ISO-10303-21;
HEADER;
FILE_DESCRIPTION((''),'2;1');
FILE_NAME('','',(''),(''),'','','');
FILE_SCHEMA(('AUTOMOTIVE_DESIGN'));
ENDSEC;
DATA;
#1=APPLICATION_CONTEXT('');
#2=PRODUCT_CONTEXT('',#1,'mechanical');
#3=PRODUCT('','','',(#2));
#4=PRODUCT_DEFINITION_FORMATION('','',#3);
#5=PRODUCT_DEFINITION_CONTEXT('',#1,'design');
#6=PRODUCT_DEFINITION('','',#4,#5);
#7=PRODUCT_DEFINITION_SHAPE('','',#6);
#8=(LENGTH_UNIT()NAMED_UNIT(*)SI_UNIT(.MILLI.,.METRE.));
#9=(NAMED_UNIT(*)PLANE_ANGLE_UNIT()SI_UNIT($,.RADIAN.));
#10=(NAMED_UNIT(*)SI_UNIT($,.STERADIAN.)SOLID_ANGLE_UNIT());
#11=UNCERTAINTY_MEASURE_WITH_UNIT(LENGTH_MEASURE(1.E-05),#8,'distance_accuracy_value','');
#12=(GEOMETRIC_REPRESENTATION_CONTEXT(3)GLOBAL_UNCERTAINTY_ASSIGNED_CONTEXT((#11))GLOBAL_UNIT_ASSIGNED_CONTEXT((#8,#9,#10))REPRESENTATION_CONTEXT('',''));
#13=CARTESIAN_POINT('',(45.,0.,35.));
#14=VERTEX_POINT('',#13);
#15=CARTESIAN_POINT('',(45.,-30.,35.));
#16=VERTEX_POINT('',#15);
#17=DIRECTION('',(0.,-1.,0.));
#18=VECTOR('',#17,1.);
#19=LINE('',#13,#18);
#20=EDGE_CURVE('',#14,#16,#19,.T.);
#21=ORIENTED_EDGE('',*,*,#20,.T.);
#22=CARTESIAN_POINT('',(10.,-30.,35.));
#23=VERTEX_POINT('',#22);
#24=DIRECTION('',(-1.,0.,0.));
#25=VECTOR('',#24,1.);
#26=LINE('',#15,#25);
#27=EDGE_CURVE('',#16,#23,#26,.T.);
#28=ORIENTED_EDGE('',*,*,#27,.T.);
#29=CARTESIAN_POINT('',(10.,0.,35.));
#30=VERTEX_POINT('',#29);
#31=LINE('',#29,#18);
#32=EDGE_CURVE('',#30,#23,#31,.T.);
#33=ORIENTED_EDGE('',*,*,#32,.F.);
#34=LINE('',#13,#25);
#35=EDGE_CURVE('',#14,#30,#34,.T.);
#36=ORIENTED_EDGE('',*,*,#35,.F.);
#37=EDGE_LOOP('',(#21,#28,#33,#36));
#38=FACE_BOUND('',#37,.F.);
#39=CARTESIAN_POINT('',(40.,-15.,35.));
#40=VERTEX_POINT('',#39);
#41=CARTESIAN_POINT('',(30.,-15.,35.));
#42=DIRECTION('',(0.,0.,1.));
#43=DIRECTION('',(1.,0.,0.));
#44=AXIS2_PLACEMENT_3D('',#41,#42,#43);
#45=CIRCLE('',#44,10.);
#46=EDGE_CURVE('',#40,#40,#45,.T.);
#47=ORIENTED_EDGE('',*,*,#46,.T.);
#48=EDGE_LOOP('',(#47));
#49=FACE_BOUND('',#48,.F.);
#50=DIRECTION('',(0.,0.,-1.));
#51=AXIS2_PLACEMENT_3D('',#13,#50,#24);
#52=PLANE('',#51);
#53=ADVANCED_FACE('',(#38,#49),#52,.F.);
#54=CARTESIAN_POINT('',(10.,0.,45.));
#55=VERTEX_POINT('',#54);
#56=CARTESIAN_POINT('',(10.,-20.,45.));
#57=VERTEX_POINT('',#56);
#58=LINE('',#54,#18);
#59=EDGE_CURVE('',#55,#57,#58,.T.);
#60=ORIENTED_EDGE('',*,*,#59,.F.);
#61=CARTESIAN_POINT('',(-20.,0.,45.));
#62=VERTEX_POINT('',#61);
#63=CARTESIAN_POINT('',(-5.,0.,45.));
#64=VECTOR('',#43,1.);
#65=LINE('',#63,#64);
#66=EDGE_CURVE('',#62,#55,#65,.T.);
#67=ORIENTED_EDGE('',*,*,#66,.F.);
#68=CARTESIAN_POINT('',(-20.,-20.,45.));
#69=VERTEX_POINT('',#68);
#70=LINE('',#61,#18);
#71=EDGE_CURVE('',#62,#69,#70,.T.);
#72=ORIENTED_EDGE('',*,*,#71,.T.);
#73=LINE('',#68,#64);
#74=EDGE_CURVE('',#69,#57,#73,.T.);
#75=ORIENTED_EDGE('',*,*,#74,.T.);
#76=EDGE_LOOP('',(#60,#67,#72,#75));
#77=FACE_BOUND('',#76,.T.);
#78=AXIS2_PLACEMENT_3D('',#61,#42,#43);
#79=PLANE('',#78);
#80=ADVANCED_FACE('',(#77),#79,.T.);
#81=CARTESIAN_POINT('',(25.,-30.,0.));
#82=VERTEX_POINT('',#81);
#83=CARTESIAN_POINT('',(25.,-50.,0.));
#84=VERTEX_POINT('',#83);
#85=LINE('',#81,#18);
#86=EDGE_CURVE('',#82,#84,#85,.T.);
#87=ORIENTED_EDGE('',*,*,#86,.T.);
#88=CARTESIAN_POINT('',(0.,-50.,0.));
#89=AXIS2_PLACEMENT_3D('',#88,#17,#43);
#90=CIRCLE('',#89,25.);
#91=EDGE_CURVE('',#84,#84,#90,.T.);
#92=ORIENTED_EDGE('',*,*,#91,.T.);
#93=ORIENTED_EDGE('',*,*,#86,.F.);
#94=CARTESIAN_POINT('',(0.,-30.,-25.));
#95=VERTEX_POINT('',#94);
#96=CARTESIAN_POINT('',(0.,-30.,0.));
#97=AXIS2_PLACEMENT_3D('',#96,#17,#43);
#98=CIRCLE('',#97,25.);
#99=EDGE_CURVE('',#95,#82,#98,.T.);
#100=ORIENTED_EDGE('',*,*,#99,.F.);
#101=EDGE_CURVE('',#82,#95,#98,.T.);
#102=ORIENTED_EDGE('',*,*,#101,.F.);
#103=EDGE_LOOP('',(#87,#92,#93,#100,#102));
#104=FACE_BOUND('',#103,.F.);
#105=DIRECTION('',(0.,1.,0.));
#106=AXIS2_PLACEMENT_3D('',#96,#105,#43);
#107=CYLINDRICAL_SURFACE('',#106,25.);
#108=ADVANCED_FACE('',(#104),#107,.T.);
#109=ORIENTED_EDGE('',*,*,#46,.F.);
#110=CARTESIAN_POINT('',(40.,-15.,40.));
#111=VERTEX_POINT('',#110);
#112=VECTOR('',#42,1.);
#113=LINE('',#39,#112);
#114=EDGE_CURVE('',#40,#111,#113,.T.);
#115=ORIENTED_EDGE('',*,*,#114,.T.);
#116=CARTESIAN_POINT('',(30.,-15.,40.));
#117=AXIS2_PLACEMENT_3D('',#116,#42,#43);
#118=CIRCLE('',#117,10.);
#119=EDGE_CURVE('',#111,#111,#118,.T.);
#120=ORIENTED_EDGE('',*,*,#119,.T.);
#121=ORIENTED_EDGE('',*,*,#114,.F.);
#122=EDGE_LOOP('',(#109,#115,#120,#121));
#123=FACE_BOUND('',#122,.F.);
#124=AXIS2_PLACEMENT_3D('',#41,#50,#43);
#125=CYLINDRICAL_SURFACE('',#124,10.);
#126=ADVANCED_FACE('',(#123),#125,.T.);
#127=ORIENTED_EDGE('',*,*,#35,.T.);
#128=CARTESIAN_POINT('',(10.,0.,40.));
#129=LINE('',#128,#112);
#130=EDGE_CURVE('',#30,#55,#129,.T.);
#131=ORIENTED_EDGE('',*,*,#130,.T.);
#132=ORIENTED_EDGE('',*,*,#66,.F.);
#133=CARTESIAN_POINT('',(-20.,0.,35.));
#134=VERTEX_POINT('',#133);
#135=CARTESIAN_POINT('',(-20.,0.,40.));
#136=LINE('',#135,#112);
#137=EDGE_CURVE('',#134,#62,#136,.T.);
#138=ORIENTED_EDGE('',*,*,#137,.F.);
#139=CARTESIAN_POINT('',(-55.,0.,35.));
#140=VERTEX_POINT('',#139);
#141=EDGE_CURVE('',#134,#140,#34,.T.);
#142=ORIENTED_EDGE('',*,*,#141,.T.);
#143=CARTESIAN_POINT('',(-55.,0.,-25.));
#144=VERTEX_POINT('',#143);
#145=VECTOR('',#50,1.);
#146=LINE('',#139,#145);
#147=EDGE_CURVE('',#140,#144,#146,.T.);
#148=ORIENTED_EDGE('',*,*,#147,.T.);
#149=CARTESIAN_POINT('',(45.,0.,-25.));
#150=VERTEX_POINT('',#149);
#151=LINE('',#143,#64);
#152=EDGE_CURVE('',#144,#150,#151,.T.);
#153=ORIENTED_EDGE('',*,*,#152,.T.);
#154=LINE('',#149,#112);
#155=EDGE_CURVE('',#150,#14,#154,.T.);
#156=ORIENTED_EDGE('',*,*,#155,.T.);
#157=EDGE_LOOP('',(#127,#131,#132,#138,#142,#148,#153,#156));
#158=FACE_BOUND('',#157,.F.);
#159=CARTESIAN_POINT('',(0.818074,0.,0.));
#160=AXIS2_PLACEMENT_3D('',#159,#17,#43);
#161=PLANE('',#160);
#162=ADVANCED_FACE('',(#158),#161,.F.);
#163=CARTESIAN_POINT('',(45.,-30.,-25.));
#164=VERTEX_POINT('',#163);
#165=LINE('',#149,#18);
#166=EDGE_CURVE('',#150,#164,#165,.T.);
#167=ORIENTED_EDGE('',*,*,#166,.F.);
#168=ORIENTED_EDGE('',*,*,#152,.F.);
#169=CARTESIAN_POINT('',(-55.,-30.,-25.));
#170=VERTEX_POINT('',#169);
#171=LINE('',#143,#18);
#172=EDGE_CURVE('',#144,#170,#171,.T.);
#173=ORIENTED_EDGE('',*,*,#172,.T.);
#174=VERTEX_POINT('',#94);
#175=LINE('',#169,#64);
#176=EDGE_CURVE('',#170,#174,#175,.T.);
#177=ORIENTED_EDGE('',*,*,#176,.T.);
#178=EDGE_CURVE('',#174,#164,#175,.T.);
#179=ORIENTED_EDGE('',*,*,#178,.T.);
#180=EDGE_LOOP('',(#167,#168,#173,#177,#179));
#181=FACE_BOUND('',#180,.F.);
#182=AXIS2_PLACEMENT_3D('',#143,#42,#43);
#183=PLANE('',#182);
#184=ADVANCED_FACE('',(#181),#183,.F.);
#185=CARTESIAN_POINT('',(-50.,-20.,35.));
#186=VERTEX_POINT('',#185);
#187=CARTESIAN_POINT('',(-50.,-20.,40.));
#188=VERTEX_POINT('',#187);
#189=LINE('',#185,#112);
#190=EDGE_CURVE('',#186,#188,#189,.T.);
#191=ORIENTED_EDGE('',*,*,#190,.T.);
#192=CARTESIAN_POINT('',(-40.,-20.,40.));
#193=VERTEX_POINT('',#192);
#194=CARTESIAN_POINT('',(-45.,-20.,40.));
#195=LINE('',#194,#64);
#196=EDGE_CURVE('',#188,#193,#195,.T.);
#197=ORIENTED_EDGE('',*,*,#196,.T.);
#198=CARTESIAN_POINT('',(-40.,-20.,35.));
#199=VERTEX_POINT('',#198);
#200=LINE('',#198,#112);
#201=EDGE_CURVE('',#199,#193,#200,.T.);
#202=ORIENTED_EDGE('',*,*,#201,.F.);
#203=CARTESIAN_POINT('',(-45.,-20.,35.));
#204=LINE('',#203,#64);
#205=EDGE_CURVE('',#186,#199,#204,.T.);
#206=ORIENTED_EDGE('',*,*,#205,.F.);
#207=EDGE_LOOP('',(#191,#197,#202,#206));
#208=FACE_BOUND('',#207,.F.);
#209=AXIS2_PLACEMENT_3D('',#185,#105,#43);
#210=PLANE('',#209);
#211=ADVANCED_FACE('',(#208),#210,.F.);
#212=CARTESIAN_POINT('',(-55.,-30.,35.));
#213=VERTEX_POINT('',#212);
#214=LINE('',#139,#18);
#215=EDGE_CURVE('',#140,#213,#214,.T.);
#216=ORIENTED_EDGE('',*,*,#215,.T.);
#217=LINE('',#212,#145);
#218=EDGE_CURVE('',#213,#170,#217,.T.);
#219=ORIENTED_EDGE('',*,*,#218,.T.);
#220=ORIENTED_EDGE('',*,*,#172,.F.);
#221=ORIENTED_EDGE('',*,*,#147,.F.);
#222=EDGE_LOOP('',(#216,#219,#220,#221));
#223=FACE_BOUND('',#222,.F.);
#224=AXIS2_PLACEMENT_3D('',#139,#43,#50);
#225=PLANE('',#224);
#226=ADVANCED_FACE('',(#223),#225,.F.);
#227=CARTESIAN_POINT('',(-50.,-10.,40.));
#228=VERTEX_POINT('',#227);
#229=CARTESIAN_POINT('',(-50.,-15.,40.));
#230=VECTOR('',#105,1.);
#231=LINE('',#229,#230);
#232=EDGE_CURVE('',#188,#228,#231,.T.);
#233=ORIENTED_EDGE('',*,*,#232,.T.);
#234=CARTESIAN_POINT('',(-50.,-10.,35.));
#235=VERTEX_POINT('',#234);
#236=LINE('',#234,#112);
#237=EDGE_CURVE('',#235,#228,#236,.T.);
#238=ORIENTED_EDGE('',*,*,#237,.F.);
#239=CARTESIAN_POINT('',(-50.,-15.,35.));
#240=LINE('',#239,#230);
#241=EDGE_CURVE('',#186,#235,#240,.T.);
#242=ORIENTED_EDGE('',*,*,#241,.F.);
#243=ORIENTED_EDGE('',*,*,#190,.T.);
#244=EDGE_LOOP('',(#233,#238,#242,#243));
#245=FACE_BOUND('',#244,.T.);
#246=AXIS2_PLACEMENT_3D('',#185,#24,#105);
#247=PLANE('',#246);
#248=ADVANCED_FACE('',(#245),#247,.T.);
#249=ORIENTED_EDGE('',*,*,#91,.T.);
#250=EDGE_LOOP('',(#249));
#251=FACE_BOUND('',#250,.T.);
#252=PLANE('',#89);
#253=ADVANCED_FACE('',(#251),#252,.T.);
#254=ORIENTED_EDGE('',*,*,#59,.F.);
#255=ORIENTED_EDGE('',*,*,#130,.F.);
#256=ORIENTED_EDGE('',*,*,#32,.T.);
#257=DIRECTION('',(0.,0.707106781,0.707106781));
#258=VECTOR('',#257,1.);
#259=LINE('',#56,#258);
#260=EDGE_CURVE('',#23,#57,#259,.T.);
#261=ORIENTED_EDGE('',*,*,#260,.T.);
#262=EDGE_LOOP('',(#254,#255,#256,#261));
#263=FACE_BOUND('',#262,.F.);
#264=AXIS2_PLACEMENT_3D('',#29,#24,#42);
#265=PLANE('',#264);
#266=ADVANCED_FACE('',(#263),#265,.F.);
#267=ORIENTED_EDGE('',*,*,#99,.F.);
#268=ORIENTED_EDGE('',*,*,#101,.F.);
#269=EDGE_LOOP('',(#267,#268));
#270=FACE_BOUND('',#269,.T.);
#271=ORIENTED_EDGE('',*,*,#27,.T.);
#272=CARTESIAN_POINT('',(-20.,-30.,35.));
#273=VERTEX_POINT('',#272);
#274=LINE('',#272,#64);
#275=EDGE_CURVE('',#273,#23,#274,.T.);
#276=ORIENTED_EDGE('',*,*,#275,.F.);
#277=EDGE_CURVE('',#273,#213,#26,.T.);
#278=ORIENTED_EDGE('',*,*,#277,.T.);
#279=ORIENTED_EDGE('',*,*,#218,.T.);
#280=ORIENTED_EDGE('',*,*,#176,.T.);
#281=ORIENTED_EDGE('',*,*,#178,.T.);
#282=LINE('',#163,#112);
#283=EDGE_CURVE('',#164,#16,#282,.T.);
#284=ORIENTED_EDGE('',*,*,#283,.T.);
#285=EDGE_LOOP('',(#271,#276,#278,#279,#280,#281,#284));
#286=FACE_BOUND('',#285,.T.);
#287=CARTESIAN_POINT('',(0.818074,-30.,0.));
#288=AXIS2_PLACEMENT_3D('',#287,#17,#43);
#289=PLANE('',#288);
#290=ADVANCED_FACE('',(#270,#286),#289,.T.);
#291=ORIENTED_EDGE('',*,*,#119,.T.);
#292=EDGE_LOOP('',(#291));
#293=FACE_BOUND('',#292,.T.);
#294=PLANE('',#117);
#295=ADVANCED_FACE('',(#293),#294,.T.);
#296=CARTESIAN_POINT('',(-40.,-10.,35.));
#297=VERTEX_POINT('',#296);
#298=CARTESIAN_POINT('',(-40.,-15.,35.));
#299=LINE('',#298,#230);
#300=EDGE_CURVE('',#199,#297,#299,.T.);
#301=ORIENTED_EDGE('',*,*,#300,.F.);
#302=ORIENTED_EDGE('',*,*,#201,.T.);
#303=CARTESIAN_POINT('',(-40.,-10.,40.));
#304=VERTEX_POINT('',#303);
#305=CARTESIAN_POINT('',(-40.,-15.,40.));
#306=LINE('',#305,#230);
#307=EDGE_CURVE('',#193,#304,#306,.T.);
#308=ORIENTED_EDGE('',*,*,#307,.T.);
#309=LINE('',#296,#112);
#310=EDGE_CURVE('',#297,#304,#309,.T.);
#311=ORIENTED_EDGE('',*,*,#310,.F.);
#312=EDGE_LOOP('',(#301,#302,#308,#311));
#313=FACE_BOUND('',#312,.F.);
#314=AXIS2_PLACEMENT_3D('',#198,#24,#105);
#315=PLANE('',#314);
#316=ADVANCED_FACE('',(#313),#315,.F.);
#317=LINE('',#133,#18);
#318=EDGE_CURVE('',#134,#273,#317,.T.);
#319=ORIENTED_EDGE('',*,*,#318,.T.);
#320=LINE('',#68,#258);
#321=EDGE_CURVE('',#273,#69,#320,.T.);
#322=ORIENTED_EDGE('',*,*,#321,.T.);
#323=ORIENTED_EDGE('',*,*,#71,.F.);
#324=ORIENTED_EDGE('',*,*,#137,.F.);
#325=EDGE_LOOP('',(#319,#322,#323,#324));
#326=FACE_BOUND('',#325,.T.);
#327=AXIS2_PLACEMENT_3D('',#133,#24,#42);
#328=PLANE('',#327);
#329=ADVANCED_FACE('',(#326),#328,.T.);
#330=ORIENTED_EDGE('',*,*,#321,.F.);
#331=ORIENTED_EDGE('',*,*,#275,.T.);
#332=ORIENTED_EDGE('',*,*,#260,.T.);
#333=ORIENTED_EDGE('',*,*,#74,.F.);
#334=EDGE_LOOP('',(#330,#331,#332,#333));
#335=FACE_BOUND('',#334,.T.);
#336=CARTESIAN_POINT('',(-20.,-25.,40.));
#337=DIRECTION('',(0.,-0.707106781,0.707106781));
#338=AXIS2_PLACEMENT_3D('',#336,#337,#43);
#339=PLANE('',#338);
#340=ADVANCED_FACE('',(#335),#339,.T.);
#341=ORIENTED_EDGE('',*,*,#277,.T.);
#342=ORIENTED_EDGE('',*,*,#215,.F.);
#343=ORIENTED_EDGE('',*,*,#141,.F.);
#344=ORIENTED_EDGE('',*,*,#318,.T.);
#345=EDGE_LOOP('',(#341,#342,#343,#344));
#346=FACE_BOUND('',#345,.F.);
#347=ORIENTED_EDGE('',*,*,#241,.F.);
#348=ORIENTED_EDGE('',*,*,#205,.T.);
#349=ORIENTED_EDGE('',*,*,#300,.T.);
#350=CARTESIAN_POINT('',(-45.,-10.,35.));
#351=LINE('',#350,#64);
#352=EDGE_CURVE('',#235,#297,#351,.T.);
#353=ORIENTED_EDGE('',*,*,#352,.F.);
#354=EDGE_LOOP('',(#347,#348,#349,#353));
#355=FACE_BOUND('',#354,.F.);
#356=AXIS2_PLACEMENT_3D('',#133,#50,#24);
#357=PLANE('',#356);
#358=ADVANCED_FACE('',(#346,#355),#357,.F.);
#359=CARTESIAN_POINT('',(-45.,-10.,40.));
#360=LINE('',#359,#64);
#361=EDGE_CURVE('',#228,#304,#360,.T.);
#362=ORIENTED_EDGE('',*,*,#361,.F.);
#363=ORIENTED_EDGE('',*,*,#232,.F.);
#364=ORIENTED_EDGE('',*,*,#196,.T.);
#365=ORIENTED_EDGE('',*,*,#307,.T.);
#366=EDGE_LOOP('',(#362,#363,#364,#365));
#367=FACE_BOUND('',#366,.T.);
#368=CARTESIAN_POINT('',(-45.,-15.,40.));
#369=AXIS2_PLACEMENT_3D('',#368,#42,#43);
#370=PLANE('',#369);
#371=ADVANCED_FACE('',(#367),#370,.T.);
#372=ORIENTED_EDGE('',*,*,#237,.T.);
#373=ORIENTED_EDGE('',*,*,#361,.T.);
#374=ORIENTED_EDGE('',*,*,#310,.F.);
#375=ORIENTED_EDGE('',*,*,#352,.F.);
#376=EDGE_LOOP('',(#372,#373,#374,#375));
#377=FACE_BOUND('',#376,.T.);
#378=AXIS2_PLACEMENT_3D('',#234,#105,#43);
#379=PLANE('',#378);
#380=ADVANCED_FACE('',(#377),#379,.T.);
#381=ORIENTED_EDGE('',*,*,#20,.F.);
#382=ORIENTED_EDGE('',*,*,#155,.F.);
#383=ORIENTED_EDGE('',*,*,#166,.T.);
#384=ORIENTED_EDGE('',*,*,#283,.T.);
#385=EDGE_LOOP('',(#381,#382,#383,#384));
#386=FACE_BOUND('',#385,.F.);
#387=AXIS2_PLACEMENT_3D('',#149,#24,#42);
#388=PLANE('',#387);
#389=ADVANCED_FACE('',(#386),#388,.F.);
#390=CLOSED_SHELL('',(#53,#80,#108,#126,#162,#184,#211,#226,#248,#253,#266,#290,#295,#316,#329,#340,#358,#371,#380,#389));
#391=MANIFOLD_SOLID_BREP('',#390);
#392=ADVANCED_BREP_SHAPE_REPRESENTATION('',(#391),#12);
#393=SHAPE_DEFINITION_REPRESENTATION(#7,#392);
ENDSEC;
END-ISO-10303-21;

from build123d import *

# Parameters (mm, degrees)
F0_W     = 30
F0_H     = 10
F1_DEPTH = 30
F2_R     = 25
F3_DEPTH = 20
F4_W     = 10
F4_H     = 10
F4_R     = 10
F5_DEPTH = 5
F6_SIZE2 = 10
F6_SIZE  = 10


with BuildPart() as f1:
    # F0 (on Front) → F1 (new body)
    with BuildSketch(Plane.XZ):
        with BuildLine():
            ThreePointArc((3.65e-08, -25), (17.6776695426, -17.6776695168), (25, 0))
            ThreePointArc((25, 0), (17.6776695297, 17.6776695297), (0, 25))
            ThreePointArc((0, 25), (-25, -1.82e-08), (3.65e-08, -25))
        make_face()
        with BuildLine():
            ThreePointArc((0, 25), (17.6776695297, 17.6776695297), (25, 0))
            ThreePointArc((25, 0), (17.6776695426, -17.6776695168), (3.65e-08, -25))
            Line((3.65e-08, -25), (45, -25))
            Line((45, -25), (45, 25))
            Line((45, 25), (0, 25))
        make_face()
        with BuildLine():
            ThreePointArc((3.65e-08, -25), (-25, -1.82e-08), (0, 25))
            Line((0, 25), (-55, 25))
            Line((-55, 25), (-55, -25))
            Line((-55, -25), (3.65e-08, -25))
        make_face()
        Polygon((-55, 25), (0, 25), (45, 25), (45, 35), (10, 35), (-20, 35), (-55, 35), align=None)
        with Locations((-5, 40)):
            Rectangle(F0_W, F0_H)
    extrude(amount=F1_DEPTH)

    # F2 (on face) → F3 (join)
    with BuildSketch(Plane.XZ.offset(30)):
        Circle(F2_R)
    extrude(amount=F3_DEPTH)

    # F4 (on face) → F5 (join)
    with BuildSketch(Plane.XY.offset(35)):
        with Locations((-45, -15)):
            Rectangle(F4_W, F4_H)
        with Locations((30, -15)):
            Circle(F4_R)
    extrude(amount=F5_DEPTH)

    # F6
    f6_edges = [f1.edges().sort_by_distance(p)[0] for p in [
        (-5, -30, 45),
    ]]
    chamfer(f6_edges, length=F6_SIZE, length2=F6_SIZE2)


solid = f1.part
